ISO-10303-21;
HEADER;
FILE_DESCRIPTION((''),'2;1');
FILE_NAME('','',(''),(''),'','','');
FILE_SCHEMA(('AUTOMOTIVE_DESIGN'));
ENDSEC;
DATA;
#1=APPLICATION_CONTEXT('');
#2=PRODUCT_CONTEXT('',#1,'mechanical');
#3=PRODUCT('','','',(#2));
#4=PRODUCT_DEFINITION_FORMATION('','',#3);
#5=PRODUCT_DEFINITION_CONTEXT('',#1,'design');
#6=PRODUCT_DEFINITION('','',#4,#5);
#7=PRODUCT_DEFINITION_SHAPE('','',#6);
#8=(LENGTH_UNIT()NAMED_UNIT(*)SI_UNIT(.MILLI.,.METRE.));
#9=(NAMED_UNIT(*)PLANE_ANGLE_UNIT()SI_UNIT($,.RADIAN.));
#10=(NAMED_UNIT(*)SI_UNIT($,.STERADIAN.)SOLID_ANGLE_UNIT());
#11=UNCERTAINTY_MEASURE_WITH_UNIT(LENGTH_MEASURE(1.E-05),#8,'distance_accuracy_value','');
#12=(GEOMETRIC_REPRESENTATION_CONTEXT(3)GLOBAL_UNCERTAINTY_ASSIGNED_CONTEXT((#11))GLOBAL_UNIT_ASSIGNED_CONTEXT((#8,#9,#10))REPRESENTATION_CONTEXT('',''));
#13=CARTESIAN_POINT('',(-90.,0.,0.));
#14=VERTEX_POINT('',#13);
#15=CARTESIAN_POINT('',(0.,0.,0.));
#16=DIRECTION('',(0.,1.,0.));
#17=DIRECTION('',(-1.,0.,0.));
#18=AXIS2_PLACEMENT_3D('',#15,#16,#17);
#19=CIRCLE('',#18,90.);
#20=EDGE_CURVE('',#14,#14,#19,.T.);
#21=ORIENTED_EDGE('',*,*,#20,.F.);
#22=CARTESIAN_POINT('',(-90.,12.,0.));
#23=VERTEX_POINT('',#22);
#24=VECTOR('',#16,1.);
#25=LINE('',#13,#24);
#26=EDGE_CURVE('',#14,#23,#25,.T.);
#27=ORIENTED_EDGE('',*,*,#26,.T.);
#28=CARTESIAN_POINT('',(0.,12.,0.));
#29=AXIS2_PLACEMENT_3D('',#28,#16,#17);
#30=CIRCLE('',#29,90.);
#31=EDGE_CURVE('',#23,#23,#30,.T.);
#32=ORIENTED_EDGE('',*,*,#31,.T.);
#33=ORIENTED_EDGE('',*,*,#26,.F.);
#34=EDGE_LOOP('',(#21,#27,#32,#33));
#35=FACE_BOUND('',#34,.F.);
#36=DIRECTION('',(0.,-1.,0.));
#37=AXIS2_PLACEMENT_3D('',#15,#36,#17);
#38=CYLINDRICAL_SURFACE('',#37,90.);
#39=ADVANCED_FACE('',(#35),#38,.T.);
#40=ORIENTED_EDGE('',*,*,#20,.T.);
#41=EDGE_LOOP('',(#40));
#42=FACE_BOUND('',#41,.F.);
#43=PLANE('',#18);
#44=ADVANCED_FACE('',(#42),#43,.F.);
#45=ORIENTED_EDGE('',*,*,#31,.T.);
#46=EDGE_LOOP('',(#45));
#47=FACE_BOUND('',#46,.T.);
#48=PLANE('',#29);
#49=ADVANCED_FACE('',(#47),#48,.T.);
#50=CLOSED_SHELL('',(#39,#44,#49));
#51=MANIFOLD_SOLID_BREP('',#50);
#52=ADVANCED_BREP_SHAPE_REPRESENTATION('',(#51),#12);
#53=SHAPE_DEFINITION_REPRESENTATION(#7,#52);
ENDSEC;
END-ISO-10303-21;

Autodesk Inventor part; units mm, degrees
ref_plane "YZ Plane" through (0, 0, 0) normal (1, 0, 0) x (0, 1, 0)
ref_plane "XZ Plane" through (0, 0, 0) normal (0, 1, 0) x (-1, 0, 0)
ref_plane "XY Plane" through (0, 0, 0) normal (0, 0, 1) x (1, 0, 0)
sketch "Sketch1" plane through (0, 0, 0) normal (0, 1, 0) x (-1, 0, 0)
  circle A0 centre (0, 0) radius 90
  dimension "d4" = 180
extrude "Extrusion1" add sketch "Sketch1" along normal blind 12
equation "\"d4\" = Внешний_диаметр_фланца_трубы_подкл"
equation "\"BendRadius\" = Thickness"
equation "\"BendReliefWidth\" = Thickness"
equation "\"BendReliefDepth\" = 0.5 * Thickness"
equation "\"CornerReliefSize\" = 4 * Thickness"
equation "\"MinimumRemnant\" = 2 * Thickness"
equation "\"TransitionRadius\" = BendRadius"
equation "\"JacobiRadiusSize\" = BendRadius"
equation "\"GapSize\" = Thickness"
equation "\"Внешний_диаметр_фланца_трубы_подкл\" = 180"
equation "\"Thickness\" = 3.048"
properties part number "Заглушка фланца трубы подключения фильтра D1200"
